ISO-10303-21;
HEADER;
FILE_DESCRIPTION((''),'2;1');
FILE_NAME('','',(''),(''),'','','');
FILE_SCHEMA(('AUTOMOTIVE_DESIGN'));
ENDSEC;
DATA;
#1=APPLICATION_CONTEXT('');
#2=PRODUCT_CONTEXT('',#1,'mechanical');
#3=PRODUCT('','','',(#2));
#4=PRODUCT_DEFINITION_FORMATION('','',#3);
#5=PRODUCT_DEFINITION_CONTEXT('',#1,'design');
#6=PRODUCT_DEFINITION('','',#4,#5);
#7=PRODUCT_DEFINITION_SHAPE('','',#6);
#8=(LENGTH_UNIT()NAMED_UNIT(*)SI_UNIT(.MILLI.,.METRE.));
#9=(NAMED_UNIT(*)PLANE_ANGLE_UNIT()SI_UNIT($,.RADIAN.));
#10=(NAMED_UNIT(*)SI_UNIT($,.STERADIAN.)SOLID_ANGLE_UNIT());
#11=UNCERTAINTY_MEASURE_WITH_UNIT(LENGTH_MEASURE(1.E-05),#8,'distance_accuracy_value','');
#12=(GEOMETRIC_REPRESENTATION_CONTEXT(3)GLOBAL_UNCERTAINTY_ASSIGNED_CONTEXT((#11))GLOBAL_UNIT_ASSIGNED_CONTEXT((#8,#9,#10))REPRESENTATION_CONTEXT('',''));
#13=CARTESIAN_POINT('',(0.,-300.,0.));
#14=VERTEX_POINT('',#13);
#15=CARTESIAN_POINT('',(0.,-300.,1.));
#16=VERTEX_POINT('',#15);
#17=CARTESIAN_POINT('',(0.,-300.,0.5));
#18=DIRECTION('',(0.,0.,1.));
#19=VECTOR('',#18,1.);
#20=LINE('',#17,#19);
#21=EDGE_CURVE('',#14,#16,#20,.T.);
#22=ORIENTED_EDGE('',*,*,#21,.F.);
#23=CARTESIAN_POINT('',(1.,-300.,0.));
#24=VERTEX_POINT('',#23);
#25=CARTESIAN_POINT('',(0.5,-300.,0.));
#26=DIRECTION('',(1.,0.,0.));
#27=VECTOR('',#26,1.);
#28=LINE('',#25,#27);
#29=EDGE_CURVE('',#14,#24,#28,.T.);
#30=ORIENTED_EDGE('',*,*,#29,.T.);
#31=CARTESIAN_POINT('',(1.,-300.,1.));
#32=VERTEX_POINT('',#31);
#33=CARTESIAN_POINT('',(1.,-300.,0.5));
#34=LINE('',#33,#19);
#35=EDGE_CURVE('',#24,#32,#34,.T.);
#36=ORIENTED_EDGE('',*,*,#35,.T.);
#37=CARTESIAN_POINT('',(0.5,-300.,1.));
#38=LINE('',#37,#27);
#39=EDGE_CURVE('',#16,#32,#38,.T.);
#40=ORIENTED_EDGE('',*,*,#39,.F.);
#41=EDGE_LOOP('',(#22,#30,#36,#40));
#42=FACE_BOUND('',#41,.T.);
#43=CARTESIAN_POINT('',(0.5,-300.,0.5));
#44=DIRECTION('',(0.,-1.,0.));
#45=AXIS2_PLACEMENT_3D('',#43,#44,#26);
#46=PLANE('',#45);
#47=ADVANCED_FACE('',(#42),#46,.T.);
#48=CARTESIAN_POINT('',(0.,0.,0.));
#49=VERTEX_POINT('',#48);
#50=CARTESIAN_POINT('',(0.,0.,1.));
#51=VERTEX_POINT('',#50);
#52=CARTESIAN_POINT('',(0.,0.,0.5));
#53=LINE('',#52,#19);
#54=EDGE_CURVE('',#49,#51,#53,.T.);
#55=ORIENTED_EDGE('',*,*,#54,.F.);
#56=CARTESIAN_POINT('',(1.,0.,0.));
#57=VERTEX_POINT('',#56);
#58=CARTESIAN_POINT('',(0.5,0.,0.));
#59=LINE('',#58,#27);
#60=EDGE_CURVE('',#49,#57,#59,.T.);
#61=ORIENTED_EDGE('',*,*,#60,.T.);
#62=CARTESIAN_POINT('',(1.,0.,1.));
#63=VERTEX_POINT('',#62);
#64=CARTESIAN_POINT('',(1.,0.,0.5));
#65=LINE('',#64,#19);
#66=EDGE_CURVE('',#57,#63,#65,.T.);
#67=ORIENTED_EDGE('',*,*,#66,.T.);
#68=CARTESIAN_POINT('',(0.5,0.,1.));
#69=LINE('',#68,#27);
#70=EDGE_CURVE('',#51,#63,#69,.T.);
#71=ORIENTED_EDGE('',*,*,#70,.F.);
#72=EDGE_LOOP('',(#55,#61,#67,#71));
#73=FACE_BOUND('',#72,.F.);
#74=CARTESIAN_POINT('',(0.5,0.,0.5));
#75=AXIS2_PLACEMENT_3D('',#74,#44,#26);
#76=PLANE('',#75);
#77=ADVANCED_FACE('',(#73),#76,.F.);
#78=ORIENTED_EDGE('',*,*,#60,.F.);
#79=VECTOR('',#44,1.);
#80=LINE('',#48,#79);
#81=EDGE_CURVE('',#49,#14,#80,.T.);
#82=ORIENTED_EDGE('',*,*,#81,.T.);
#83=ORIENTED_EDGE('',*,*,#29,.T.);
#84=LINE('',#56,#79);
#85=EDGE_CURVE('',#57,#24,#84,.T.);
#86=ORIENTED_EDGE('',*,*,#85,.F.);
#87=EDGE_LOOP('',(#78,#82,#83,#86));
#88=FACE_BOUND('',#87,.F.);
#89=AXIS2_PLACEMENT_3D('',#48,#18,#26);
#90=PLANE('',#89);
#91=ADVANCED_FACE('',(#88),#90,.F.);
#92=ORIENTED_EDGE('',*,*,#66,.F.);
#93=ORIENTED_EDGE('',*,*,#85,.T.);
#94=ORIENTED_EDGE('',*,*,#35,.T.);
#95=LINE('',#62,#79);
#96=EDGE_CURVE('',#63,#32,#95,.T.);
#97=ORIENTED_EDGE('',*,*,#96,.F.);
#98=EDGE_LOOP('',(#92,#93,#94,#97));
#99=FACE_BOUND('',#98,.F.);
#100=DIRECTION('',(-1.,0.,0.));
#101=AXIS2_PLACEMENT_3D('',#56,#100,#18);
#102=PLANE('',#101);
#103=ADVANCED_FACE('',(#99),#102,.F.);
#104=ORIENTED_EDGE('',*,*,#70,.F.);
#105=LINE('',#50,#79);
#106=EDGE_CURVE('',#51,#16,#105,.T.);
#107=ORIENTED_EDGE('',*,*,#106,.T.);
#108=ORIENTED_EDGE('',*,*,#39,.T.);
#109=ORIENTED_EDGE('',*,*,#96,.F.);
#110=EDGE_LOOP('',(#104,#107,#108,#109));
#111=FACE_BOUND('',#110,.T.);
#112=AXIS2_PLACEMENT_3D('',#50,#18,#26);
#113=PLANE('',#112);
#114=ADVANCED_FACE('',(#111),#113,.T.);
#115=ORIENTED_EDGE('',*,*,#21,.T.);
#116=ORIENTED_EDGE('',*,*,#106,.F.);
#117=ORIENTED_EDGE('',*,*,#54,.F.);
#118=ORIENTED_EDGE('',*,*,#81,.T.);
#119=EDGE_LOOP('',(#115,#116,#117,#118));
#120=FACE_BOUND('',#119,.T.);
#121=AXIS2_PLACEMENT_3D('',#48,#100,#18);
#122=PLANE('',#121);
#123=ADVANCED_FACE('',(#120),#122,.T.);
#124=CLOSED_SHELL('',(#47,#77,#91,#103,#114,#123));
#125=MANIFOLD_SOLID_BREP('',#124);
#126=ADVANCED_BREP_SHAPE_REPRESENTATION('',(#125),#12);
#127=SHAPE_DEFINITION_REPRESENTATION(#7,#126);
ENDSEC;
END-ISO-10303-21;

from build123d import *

# Parameters (mm, degrees)
SKETCH_W  = 1
SKETCH_H  = 1
PAD_DEPTH = 300


with BuildPart() as part:
    # Sketch → Pad (new body)
    with BuildSketch(Plane.XZ):
        with Locations((0.5, 0.5)):
            Rectangle(SKETCH_W, SKETCH_H)
    extrude(amount=PAD_DEPTH)


solid = part.part
